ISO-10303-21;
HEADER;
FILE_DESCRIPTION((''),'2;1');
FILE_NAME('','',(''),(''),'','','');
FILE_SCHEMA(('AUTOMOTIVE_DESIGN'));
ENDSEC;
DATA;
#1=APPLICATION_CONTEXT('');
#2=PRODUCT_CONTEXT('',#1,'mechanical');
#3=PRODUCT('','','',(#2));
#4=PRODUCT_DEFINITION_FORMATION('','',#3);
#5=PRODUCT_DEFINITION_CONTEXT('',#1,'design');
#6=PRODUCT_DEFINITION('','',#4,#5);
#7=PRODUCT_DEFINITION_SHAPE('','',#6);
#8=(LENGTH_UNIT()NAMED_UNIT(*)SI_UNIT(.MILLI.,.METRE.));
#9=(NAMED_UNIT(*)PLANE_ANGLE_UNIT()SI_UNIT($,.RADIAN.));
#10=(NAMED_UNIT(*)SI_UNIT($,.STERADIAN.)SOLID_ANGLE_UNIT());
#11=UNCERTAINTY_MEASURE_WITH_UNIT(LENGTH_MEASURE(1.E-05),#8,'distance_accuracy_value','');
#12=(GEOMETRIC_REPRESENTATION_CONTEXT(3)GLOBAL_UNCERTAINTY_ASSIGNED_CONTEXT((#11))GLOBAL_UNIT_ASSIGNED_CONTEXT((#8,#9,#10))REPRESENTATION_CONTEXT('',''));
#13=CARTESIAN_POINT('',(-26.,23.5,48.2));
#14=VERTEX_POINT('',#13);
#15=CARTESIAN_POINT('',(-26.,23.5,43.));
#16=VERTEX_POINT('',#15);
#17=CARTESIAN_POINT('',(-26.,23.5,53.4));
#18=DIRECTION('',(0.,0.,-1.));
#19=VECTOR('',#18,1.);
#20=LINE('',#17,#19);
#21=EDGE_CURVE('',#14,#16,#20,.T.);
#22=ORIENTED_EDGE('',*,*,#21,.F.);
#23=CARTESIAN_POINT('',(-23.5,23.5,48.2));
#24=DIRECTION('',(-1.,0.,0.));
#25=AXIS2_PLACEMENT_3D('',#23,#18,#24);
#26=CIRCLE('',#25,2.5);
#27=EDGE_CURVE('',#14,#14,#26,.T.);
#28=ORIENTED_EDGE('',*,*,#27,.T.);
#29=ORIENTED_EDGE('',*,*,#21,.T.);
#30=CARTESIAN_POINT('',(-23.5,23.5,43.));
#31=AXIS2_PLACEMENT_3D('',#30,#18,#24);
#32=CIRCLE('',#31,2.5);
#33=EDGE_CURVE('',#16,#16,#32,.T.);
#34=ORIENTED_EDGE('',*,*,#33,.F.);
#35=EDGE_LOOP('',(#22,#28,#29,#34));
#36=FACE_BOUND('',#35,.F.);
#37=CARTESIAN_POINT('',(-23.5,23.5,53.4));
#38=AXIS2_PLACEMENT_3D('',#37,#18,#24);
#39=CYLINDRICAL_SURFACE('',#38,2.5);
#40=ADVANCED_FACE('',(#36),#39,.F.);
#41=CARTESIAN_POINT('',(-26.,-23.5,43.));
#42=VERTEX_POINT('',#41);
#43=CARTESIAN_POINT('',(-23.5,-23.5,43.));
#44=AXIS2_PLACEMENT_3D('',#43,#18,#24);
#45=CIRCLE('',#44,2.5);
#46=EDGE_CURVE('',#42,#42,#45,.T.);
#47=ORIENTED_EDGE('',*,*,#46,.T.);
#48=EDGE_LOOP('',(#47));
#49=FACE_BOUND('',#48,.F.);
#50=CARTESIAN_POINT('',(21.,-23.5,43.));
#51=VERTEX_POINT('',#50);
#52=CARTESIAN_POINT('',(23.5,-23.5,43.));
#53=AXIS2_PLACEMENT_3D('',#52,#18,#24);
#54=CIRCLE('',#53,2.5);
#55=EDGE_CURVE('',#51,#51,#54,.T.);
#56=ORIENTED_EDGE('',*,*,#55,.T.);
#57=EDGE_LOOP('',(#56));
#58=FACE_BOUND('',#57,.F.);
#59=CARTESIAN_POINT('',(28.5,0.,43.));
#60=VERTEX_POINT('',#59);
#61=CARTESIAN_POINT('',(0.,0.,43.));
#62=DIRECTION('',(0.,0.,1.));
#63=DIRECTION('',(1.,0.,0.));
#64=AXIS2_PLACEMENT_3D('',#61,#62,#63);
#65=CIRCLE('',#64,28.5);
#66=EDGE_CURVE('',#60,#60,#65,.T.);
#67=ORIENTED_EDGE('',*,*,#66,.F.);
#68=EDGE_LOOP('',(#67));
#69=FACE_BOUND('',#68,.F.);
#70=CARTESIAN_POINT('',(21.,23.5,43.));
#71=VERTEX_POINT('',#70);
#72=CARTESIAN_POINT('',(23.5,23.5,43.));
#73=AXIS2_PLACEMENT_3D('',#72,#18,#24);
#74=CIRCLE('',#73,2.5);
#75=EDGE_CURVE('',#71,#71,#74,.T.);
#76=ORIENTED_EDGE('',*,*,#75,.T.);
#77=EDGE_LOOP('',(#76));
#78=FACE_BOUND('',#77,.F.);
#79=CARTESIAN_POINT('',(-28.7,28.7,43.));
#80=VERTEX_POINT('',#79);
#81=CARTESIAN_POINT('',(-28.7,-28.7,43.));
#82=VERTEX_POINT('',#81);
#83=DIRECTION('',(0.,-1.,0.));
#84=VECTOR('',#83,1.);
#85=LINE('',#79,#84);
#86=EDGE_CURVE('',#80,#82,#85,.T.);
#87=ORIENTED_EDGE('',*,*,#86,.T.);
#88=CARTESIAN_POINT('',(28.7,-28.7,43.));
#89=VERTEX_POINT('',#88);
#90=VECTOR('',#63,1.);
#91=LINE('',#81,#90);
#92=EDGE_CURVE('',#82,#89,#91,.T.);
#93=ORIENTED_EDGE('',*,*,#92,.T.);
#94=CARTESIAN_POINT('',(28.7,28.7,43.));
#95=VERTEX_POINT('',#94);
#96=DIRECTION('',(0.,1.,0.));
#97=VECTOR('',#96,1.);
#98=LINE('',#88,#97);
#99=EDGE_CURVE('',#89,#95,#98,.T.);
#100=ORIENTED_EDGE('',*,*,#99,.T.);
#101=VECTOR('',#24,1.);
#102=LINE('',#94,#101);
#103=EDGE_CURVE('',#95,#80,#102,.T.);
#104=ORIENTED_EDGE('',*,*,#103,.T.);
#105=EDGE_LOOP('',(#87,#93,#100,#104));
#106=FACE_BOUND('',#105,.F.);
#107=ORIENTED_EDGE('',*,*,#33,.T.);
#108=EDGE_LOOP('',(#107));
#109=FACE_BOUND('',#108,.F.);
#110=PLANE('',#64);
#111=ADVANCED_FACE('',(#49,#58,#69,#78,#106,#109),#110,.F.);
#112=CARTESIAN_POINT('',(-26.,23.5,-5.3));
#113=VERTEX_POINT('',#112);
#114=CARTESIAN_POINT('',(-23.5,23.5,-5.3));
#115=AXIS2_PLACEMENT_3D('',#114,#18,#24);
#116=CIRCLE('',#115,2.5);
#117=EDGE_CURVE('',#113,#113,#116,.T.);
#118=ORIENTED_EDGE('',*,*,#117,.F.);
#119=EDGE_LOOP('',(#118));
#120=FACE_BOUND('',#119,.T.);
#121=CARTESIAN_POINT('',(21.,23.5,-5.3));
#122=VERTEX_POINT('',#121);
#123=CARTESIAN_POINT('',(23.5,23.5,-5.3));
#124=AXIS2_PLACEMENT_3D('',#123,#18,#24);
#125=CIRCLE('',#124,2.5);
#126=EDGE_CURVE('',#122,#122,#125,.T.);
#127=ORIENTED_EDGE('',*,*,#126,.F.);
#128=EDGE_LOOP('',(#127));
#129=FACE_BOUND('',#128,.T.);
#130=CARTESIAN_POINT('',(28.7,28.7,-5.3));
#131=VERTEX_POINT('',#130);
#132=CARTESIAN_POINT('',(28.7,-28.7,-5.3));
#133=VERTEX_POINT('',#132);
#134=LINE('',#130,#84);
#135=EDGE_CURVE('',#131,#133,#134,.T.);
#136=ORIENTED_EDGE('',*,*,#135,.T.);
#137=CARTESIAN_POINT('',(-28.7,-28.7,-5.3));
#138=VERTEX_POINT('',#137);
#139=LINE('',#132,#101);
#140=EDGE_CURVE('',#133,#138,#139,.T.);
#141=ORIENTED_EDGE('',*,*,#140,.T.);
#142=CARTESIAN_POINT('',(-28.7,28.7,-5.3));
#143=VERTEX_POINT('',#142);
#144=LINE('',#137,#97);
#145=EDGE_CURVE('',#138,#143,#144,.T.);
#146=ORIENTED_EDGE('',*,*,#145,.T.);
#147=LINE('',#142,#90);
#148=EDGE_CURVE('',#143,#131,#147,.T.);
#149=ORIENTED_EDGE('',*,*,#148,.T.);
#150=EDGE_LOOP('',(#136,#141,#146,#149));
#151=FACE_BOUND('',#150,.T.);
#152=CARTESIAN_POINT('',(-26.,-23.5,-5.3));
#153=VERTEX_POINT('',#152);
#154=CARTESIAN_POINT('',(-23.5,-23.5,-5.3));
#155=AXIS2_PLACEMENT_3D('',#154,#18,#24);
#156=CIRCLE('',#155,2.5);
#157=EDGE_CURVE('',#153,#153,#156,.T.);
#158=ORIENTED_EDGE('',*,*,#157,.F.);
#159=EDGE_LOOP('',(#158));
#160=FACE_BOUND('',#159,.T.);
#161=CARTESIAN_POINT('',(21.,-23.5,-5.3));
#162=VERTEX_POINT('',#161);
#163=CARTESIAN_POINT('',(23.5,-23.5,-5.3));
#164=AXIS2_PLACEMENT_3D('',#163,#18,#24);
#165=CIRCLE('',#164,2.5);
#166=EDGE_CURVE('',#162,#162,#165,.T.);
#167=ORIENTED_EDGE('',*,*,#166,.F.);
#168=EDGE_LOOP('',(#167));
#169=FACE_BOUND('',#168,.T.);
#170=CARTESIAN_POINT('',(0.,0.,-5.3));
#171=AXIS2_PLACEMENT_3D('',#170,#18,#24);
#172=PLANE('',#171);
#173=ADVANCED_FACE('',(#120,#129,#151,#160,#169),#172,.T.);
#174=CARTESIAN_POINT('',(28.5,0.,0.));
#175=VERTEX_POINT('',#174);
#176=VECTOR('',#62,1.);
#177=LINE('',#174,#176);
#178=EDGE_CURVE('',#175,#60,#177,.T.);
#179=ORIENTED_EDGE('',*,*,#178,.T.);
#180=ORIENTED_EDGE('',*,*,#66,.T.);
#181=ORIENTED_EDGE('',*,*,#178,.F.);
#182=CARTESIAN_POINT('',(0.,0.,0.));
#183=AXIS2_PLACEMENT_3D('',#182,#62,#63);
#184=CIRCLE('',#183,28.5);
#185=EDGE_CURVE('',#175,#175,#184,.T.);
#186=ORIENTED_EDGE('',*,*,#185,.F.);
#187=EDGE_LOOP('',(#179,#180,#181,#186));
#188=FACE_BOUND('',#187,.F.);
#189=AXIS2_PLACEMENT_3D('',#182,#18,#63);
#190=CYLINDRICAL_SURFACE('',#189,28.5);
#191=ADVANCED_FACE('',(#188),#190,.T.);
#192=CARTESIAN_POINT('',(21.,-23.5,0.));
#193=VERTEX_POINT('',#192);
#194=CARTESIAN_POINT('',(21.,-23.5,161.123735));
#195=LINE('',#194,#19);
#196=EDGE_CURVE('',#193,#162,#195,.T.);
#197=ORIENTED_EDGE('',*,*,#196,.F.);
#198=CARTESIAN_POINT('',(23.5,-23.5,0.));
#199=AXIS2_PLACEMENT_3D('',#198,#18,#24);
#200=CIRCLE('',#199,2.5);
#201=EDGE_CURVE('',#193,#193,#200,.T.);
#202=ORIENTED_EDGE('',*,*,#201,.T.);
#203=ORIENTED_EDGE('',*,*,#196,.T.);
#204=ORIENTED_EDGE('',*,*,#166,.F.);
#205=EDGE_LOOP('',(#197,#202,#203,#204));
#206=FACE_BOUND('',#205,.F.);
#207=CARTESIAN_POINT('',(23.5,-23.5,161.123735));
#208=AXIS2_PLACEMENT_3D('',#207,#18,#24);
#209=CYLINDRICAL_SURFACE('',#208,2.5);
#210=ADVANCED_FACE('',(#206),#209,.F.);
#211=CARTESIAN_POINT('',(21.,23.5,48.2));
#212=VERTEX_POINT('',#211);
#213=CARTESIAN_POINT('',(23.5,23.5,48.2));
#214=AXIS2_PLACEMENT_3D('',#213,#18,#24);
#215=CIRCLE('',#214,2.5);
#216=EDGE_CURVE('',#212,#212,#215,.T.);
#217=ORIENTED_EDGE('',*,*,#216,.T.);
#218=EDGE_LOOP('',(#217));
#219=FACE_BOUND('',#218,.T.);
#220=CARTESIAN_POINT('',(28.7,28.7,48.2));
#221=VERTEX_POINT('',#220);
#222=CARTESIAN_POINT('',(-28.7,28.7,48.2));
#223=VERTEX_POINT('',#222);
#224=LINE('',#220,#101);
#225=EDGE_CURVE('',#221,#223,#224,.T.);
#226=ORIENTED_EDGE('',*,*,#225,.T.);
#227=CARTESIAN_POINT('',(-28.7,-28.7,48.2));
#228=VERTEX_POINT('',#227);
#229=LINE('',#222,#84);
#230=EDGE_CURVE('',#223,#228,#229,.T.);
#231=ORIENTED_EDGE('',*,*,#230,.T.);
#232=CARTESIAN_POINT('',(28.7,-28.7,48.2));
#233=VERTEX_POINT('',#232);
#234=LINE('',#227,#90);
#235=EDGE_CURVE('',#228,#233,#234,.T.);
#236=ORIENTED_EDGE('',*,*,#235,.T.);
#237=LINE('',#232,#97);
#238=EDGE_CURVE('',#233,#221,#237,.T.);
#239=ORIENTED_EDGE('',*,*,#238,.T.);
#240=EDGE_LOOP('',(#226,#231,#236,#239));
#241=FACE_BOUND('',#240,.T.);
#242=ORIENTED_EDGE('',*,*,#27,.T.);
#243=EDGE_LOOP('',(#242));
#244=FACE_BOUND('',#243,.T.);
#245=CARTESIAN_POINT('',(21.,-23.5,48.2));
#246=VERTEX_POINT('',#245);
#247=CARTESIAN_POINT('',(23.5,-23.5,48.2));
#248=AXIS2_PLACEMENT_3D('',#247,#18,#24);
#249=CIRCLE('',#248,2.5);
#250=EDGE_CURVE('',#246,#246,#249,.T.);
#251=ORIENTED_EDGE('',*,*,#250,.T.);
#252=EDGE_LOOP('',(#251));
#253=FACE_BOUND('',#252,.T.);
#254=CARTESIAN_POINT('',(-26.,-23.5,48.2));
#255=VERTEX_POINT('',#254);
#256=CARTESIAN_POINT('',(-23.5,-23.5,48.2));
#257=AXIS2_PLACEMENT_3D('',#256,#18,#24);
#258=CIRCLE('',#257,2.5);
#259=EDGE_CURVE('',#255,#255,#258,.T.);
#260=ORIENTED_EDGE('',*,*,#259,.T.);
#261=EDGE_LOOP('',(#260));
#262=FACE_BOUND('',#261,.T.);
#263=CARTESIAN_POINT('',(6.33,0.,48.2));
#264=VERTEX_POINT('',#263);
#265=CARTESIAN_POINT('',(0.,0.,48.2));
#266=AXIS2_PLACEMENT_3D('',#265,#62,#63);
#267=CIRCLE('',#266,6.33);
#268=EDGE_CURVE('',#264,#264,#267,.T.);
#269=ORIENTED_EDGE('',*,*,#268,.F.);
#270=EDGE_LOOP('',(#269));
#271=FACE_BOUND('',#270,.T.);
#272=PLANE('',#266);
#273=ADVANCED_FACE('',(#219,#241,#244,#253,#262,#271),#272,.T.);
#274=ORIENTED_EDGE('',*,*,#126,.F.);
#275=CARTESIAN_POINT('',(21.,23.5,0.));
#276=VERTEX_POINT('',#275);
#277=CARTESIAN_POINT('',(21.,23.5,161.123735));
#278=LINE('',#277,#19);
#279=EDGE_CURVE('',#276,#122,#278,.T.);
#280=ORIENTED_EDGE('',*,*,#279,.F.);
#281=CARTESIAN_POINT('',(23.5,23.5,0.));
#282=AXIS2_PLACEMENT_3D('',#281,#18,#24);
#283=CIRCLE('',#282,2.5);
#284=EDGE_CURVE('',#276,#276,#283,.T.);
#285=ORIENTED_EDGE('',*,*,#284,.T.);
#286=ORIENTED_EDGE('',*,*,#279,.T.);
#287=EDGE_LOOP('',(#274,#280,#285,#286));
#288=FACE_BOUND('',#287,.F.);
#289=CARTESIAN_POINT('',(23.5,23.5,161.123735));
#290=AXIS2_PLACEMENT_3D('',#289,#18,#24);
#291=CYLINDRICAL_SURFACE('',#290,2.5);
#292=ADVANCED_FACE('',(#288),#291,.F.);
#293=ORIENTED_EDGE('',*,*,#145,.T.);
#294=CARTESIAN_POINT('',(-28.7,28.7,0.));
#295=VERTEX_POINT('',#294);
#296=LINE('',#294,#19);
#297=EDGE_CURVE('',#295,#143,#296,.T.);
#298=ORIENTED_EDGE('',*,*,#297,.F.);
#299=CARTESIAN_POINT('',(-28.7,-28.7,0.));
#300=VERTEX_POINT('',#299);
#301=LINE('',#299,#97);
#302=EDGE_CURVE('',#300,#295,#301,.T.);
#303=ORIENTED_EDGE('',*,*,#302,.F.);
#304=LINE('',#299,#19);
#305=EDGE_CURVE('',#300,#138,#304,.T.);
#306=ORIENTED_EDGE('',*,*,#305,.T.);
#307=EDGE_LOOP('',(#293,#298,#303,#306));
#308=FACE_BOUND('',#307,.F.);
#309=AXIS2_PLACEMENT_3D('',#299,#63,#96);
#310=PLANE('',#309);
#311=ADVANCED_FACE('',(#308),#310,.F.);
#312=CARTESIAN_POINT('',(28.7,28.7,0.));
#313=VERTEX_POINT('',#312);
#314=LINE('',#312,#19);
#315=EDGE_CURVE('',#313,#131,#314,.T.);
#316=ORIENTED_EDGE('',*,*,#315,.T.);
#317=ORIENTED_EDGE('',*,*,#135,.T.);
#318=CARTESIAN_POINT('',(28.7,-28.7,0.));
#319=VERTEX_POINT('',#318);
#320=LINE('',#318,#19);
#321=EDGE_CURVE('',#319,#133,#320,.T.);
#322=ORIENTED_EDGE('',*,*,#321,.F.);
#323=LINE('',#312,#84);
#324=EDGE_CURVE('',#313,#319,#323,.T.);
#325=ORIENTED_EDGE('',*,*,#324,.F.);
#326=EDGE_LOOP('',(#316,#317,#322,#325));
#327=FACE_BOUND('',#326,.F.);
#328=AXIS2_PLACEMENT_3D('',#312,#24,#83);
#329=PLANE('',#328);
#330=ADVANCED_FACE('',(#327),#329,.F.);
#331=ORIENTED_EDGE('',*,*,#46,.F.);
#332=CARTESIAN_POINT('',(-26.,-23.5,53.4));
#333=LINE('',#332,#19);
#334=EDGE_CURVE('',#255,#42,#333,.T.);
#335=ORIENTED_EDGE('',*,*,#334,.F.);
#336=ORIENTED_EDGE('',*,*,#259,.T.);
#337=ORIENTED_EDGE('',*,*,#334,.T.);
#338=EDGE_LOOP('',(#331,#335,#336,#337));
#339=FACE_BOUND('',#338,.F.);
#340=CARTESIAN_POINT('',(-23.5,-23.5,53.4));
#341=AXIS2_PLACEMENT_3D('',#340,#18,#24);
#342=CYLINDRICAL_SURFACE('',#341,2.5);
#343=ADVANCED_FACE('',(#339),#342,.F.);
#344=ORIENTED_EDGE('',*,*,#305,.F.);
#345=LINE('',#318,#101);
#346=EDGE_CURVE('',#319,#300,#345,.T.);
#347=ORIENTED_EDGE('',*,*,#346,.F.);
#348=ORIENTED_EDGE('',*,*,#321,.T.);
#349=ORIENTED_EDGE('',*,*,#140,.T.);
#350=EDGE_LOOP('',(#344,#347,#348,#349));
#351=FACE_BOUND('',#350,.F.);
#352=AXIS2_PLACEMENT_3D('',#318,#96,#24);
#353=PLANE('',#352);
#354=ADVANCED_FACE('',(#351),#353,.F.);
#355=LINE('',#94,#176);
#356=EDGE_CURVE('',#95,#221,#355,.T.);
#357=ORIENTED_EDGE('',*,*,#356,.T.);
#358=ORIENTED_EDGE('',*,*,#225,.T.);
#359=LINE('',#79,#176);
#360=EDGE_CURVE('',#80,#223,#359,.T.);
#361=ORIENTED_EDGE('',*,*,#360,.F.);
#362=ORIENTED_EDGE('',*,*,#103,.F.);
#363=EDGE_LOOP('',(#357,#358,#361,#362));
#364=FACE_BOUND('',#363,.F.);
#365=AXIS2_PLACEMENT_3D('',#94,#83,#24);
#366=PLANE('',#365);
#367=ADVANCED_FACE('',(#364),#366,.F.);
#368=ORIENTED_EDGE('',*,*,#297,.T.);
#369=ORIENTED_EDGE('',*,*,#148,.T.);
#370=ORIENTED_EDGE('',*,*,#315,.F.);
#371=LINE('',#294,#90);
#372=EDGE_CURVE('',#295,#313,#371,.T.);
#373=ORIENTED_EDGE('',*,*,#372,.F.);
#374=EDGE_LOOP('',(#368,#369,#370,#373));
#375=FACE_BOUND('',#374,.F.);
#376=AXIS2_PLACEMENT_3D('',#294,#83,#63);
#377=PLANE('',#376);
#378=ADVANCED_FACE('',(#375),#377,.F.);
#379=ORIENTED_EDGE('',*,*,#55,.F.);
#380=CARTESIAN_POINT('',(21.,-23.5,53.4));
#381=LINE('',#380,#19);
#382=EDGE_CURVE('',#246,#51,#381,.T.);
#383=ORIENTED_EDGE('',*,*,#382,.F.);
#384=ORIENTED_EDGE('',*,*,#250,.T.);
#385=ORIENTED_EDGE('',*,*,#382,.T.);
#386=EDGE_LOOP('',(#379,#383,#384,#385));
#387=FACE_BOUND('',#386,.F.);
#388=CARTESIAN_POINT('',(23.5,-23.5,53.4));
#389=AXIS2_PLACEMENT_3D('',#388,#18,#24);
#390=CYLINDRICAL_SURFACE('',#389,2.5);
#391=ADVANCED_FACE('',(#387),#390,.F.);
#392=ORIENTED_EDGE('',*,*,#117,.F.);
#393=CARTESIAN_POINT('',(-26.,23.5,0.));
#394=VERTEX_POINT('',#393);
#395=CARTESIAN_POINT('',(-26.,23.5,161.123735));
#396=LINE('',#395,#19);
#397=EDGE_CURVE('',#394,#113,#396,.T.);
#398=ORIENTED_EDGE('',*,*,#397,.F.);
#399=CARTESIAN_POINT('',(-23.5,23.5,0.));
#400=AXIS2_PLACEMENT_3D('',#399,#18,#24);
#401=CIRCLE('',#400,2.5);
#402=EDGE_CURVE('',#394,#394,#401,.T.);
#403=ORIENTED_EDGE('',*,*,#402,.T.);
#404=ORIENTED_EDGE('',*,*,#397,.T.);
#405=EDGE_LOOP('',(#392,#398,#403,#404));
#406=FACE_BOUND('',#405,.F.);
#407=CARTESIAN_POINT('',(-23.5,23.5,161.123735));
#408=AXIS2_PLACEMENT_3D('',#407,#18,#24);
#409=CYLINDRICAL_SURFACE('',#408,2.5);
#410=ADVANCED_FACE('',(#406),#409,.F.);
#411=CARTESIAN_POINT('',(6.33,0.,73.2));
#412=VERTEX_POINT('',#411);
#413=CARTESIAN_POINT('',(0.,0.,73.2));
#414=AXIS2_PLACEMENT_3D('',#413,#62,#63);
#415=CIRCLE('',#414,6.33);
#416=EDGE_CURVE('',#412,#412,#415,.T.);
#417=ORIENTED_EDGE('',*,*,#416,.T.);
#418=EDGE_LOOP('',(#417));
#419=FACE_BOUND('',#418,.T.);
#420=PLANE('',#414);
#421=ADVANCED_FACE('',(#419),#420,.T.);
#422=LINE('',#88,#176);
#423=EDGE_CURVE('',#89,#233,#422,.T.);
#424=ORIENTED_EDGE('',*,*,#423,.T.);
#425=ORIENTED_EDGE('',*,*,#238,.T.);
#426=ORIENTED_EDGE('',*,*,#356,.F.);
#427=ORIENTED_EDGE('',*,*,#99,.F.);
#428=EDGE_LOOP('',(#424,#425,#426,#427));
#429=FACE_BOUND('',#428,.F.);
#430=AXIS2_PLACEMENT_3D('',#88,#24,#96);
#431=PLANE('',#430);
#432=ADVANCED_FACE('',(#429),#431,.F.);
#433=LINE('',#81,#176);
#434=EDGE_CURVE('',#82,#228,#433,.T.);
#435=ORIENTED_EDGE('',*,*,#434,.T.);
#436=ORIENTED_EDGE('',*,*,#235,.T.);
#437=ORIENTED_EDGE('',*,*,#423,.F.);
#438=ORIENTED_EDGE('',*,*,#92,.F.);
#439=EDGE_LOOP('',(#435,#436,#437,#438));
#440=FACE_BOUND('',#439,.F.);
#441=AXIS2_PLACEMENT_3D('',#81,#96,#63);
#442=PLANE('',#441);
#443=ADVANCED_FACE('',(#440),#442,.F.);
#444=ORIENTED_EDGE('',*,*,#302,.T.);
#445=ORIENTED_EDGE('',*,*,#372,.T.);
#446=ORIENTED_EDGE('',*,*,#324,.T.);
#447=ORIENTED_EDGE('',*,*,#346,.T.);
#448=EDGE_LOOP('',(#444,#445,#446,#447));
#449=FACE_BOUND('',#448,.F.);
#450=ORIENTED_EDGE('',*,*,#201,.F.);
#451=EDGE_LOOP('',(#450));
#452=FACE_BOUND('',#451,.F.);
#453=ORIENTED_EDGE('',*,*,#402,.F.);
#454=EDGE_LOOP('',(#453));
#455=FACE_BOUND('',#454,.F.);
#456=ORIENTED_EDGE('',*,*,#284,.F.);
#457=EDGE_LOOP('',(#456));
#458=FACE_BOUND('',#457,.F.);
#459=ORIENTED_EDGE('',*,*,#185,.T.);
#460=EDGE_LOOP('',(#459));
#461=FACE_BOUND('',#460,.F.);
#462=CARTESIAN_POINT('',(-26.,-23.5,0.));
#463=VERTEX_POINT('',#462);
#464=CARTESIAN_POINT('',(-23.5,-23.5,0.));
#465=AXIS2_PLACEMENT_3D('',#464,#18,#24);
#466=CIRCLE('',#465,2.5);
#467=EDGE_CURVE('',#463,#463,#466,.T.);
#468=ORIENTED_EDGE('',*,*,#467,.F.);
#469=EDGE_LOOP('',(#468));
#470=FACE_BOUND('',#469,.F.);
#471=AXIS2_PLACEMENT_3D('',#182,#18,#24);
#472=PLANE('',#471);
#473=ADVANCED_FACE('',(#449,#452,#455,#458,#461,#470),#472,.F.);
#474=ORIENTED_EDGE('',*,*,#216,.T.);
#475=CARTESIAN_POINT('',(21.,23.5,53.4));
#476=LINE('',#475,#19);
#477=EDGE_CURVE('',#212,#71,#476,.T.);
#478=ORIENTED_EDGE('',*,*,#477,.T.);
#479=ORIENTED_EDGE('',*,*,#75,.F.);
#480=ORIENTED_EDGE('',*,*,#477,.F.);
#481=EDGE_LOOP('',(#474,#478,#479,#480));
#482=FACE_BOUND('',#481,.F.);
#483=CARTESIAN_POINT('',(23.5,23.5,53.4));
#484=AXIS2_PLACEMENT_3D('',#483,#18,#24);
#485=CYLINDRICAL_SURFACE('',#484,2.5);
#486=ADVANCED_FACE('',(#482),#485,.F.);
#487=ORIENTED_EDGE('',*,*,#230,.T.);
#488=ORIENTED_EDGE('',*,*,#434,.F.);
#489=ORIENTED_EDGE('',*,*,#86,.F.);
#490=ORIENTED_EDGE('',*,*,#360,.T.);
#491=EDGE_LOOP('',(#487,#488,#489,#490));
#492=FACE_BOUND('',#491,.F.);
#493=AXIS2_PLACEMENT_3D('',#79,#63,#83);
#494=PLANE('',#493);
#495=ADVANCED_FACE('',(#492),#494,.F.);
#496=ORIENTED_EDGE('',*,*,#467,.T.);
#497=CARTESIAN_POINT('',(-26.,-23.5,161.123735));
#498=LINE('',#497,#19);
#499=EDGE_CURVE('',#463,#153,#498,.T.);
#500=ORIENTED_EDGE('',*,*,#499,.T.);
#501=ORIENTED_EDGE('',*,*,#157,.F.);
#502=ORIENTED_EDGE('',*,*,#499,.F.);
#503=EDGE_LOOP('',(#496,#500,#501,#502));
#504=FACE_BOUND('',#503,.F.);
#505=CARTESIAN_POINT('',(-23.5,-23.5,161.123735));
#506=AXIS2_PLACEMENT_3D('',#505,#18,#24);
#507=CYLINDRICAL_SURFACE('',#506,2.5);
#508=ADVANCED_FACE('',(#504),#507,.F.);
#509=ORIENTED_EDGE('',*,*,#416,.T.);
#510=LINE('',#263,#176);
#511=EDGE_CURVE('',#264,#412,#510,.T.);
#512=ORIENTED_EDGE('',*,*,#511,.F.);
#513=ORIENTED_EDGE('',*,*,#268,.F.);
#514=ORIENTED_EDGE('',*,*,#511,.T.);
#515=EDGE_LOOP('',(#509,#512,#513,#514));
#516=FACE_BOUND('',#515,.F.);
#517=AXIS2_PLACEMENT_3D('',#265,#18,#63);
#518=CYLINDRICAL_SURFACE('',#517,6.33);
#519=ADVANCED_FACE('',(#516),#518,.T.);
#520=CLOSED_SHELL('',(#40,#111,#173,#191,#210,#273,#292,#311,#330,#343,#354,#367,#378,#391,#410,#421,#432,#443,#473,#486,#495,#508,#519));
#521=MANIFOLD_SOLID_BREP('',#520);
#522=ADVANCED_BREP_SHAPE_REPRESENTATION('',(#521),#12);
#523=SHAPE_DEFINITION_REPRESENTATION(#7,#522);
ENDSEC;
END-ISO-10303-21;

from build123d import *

# Parameters (mm, degrees)
SKIZZE1_R                       = 28.5
AUFSATZ_LINEAR_AUSTRAGEN1_DEPTH = 43
AUFSATZ_LINEAR_AUSTRAGEN2_DEPTH = 5.2
AUFSATZ_LINEAR_AUSTRAGEN3_DEPTH = 5.3
SKIZZE4_R                       = 6.33
AUFSATZ_LINEAR_AUSTRAGEN4_DEPTH = 25
M6X1_0_GEWINDEBOHRUNG1_D        = 5
M6X1_0_GEWINDEBOHRUNG1_DEPTH    = 5.2
F_5_0_5_DURCHMESSER_BOHRUNG1_D  = 5


with BuildPart() as part:
    # Skizze1 → Aufsatz-Linear austragen1 (new body)
    with BuildSketch(Plane.XY):
        Circle(SKIZZE1_R)
    extrude(amount=AUFSATZ_LINEAR_AUSTRAGEN1_DEPTH)

    # Skizze2 → Aufsatz-Linear austragen2 (add)
    with BuildSketch(Plane.XY.offset(43)):
        Polygon((28.7, 0), (28.7, 28.7), (-28.7, 28.7), (-28.7, -28.7), (28.7, -28.7), align=None)
    extrude(amount=AUFSATZ_LINEAR_AUSTRAGEN2_DEPTH)

    # Skizze3 → Aufsatz-Linear austragen3 (add)
    with BuildSketch(Plane(origin=(0, 0, 0), x_dir=(-1, 0, 0), z_dir=(0, 0, -1))):
        Polygon((28.7, 0), (28.7, 28.7), (-28.7, 28.7), (-28.7, -28.7), (28.7, -28.7), align=None)
    extrude(amount=AUFSATZ_LINEAR_AUSTRAGEN3_DEPTH)

    # Skizze4 → Aufsatz-Linear austragen4 (add)
    with BuildSketch(Plane.XY.offset(48.2)):
        Circle(SKIZZE4_R)
    extrude(amount=AUFSATZ_LINEAR_AUSTRAGEN4_DEPTH)

    # M6x1.0 Gewindebohrung1
    with Locations(Plane.XY.offset(48.2)):
        with Locations((-23.5, 23.5), (23.5, 23.5), (23.5, -23.5), (-23.5, -23.5)):
            Hole(M6X1_0_GEWINDEBOHRUNG1_D / 2, depth=M6X1_0_GEWINDEBOHRUNG1_DEPTH)

    # Ø5.0 (5) Durchmesser Bohrung1 (through all)
    with Locations(Plane.XY.offset(48.2)):
        with Locations((-23.5, 23.5), (23.5, 23.5), (23.5, -23.5), (-23.5, -23.5)):
            Hole(F_5_0_5_DURCHMESSER_BOHRUNG1_D / 2)


solid = part.part
